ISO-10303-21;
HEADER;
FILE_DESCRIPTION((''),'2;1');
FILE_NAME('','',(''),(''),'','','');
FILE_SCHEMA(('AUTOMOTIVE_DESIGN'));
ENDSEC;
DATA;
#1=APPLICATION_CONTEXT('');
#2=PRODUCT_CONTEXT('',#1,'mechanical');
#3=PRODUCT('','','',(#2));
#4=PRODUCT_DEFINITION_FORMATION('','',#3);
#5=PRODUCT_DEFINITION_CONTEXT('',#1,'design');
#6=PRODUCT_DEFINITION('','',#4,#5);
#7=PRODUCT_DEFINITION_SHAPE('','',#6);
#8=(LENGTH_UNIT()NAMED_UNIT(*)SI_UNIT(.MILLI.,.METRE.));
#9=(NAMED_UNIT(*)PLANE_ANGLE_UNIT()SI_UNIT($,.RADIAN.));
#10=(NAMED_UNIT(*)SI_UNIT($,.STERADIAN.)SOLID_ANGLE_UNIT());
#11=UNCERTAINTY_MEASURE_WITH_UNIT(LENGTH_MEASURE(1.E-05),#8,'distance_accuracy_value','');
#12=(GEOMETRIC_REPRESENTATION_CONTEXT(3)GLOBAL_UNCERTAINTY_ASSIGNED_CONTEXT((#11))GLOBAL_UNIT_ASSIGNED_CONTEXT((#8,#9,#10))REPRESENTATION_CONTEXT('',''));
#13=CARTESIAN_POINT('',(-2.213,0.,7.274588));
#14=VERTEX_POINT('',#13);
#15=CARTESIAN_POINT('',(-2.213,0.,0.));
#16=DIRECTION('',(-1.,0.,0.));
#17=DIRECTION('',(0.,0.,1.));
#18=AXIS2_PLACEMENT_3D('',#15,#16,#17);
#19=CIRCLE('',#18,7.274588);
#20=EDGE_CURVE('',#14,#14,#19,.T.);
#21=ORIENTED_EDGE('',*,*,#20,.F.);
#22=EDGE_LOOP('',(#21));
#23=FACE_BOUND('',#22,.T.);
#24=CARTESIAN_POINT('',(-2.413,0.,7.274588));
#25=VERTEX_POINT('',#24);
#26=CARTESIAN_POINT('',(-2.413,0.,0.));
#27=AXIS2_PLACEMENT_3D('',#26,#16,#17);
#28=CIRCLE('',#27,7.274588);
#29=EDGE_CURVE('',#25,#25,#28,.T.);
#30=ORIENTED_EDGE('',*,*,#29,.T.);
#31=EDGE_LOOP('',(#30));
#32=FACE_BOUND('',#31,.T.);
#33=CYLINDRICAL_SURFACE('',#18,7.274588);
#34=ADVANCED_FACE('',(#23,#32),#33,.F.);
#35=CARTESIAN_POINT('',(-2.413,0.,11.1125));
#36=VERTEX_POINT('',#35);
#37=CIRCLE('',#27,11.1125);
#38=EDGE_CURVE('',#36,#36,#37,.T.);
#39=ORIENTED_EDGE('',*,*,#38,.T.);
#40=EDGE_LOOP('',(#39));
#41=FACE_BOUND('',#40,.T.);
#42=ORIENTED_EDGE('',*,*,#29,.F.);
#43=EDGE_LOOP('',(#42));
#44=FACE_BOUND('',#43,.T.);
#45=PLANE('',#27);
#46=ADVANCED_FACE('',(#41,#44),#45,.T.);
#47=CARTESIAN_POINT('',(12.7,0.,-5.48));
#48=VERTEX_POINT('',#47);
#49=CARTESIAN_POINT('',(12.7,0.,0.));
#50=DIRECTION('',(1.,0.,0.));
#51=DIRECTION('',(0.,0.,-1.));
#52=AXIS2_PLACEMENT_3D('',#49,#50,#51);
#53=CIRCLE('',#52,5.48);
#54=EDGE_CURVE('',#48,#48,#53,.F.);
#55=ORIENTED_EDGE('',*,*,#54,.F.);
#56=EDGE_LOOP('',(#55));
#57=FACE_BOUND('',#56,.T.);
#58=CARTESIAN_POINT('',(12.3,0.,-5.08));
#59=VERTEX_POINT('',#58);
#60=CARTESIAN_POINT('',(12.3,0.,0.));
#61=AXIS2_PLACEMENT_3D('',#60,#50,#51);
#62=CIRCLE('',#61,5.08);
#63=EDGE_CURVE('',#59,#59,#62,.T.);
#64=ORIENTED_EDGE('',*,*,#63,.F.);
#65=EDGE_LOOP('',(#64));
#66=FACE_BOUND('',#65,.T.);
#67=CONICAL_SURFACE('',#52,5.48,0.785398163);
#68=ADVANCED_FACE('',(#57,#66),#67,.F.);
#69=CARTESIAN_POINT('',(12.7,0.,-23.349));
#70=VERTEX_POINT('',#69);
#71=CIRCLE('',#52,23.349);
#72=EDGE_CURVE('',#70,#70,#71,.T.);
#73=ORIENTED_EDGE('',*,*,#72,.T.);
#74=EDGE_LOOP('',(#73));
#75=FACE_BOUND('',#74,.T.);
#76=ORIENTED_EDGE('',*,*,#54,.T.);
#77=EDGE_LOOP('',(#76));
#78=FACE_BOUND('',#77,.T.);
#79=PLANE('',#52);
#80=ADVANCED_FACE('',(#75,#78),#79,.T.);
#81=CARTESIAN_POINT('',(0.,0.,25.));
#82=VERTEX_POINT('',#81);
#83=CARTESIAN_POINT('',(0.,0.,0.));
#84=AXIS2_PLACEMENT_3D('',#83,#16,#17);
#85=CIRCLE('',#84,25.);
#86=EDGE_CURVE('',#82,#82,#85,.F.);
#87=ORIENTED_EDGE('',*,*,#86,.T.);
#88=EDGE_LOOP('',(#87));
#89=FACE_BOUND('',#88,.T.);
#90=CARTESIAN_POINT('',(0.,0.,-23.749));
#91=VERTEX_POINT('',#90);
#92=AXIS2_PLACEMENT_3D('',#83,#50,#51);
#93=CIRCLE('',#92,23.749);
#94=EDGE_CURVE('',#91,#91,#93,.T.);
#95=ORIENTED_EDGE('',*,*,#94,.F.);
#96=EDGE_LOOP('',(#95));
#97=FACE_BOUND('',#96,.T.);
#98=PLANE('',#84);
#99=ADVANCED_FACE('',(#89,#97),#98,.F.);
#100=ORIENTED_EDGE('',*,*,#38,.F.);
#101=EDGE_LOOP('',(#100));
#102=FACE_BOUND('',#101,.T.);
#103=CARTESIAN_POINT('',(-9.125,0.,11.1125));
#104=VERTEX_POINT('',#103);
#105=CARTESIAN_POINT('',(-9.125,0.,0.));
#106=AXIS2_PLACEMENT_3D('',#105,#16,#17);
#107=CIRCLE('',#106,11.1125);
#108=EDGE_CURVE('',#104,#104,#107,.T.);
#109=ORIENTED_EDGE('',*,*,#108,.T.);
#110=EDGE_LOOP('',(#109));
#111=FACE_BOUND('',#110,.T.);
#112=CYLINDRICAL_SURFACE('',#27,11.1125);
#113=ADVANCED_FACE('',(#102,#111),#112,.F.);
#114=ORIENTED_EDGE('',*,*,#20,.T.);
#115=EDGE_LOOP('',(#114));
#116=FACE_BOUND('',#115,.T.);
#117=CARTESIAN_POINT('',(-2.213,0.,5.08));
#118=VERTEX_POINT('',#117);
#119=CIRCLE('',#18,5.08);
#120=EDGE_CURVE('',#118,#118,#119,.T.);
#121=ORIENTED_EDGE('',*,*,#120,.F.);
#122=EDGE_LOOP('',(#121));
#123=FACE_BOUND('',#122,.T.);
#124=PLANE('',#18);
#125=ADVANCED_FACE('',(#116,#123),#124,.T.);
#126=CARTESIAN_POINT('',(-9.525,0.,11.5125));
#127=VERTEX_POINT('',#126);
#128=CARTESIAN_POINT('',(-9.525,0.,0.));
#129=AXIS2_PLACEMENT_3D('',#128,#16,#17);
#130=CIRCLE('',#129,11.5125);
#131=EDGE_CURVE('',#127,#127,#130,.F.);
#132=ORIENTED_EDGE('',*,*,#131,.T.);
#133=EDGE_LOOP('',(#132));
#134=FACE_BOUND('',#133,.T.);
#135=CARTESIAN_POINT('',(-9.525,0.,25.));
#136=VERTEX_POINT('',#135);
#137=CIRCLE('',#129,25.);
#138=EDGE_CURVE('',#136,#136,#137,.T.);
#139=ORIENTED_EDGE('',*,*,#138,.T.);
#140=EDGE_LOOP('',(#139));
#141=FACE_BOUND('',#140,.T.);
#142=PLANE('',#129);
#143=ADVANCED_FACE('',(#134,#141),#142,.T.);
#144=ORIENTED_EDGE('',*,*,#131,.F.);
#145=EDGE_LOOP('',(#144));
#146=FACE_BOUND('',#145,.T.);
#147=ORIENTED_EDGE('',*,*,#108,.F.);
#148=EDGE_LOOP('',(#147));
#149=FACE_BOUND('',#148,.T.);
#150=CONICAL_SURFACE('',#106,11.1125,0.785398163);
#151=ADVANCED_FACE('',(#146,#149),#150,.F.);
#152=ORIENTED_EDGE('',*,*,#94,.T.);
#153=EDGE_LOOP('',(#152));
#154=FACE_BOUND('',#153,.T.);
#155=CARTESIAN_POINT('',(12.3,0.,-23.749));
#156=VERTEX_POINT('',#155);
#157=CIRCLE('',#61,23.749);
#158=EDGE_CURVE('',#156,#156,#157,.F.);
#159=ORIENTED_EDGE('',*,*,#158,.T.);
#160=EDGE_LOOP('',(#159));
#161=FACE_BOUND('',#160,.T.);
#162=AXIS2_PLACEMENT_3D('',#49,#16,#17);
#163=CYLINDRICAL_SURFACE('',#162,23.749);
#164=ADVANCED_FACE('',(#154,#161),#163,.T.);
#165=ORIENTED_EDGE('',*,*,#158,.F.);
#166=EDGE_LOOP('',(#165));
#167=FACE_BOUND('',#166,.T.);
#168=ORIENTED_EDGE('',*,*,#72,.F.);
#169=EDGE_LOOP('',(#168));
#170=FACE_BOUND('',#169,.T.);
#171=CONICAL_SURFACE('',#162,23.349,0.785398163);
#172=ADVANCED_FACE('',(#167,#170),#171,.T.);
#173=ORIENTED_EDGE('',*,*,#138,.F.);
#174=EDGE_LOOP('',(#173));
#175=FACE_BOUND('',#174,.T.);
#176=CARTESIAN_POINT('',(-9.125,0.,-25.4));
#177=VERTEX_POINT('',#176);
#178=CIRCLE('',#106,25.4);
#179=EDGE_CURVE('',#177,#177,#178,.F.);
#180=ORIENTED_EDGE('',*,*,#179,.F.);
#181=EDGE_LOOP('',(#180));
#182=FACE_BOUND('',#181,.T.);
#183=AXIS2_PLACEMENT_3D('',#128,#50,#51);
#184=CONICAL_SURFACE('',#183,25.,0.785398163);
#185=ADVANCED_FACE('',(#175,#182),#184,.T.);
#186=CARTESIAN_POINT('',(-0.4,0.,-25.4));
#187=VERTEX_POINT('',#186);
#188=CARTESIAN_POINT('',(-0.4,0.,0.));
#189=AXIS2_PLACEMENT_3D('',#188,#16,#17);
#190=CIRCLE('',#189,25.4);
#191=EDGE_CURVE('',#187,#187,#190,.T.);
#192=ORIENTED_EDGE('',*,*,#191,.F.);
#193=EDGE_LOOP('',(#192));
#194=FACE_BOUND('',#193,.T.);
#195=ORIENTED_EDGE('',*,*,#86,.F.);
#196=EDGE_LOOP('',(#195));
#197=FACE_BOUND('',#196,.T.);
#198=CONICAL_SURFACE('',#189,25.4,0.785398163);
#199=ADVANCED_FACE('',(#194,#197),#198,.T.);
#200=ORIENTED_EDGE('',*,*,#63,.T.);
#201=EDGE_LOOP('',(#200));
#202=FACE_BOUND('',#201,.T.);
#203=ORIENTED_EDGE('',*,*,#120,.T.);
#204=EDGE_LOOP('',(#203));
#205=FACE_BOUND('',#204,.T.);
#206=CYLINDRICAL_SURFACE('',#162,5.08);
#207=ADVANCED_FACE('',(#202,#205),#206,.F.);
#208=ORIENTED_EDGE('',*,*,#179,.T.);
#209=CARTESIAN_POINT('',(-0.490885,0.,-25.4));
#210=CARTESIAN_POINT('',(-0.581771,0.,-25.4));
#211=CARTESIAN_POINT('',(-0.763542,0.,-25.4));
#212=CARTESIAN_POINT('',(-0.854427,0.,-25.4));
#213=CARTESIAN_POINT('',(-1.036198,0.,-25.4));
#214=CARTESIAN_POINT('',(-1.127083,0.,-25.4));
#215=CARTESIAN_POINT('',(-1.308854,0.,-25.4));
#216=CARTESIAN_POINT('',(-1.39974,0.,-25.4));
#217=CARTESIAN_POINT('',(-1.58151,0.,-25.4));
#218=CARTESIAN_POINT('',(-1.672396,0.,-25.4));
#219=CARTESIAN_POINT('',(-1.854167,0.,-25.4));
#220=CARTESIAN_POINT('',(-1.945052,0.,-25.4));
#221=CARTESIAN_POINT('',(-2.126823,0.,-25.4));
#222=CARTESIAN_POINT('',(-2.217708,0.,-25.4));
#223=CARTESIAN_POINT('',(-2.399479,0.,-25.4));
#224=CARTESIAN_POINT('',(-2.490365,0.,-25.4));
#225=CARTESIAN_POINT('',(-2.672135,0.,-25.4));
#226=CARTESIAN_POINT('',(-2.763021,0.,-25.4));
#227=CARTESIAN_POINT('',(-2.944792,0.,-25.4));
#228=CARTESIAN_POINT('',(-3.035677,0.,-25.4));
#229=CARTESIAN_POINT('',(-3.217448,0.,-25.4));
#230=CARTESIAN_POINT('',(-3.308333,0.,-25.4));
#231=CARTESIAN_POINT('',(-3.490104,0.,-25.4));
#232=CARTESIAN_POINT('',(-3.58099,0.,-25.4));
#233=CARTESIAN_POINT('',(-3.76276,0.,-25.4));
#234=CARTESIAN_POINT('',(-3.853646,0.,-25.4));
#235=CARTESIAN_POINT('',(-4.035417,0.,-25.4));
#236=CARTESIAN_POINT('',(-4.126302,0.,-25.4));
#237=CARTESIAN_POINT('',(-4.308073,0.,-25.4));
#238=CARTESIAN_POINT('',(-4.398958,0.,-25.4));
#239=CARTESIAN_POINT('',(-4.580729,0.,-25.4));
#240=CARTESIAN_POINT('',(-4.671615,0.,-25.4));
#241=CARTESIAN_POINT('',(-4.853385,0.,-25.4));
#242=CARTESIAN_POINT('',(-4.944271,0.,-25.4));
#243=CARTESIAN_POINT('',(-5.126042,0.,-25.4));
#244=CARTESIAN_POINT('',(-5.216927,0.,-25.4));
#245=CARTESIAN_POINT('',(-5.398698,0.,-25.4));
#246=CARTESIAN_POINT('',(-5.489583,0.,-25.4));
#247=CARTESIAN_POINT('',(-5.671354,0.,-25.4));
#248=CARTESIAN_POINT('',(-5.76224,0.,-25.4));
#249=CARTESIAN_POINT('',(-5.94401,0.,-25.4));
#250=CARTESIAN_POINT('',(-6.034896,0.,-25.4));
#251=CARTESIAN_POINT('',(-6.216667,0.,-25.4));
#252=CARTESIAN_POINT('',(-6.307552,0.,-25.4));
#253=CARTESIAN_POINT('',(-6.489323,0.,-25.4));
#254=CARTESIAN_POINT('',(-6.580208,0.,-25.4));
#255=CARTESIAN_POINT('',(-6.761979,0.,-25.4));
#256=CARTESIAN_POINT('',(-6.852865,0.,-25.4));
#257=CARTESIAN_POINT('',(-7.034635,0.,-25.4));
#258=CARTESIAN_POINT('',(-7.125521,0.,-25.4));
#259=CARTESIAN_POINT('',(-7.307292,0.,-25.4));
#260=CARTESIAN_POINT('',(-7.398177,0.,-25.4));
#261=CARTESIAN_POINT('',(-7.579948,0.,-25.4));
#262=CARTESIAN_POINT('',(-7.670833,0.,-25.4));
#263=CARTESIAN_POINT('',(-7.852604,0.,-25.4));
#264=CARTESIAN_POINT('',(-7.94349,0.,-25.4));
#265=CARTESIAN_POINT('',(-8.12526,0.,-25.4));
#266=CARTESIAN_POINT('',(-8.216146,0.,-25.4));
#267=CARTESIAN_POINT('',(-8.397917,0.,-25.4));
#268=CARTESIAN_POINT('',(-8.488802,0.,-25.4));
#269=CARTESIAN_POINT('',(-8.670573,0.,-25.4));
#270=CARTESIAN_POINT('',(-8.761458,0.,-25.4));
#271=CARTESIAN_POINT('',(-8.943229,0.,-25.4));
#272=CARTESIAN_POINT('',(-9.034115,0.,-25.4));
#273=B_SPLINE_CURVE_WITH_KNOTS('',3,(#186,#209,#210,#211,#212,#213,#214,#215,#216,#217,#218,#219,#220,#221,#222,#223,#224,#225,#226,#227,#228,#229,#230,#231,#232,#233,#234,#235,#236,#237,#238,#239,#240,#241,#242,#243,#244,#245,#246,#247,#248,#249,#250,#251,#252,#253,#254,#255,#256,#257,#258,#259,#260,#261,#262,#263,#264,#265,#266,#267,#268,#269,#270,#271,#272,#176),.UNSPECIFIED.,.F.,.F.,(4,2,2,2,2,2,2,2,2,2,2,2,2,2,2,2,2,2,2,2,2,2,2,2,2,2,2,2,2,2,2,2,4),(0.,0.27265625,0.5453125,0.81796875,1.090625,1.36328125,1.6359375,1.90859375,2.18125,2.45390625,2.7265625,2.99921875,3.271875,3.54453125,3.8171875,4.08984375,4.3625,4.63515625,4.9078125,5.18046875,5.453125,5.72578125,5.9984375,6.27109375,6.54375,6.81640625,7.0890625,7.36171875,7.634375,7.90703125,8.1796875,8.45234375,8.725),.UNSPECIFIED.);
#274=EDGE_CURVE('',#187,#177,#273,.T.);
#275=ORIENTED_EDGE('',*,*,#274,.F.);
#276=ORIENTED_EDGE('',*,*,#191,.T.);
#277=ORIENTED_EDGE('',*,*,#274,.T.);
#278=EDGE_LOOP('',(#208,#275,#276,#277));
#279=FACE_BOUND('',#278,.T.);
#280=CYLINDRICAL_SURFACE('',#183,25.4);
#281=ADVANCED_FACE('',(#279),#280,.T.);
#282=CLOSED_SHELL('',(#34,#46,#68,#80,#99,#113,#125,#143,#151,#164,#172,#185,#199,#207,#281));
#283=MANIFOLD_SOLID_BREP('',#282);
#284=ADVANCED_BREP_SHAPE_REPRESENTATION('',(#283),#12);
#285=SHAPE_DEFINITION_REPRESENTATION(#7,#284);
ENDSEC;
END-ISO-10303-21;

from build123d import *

# Parameters (mm, degrees)
SKETCH1_R           = 23.749
BOSS_EXTRUDE1_DEPTH = 12.7
SKETCH2_R           = 25.4
BOSS_EXTRUDE2_DEPTH = 9.525
SKETCH3_R           = 11.1125
CUT_EXTRUDE1_DEPTH  = 7.112
SKETCH4_R           = 7.27458794
CUT_EXTRUDE2_DEPTH  = 0.2
SKETCH5_R           = 5.08
CUT_EXTRUDE3_DEPTH  = 39.893670038
CHAMFER1_SIZE       = 0.4


with BuildPart() as part:
    # Sketch1 → Boss-Extrude1 (new body)
    with BuildSketch(Plane(origin=(0, 0, 0), x_dir=(0, 0, -1), z_dir=(1, 0, 0))):
        Circle(SKETCH1_R)
    extrude(amount=BOSS_EXTRUDE1_DEPTH)

    # Sketch2 → Boss-Extrude2 (add)
    with BuildSketch(Plane.ZY):
        with Locations(Location((0, 0, 0), (0, 0, 180))):
            Circle(SKETCH2_R)
    extrude(amount=BOSS_EXTRUDE2_DEPTH)

    # Sketch3 → Cut-Extrude1 (cut)
    with BuildSketch(Plane.ZY.offset(9.525)):
        Circle(SKETCH3_R)
    extrude(amount=-CUT_EXTRUDE1_DEPTH, mode=Mode.SUBTRACT)

    # Sketch4 → Cut-Extrude2 (cut)
    with BuildSketch(Plane.ZY.offset(2.413)):
        Circle(SKETCH4_R)
    extrude(amount=-CUT_EXTRUDE2_DEPTH, mode=Mode.SUBTRACT)

    # Sketch5 → Cut-Extrude3 (cut, through all)
    with BuildSketch(Plane.ZY.offset(2.213)):
        Circle(SKETCH5_R)
    extrude(amount=-CUT_EXTRUDE3_DEPTH, mode=Mode.SUBTRACT)

    # Chamfer1
    chamfer1_edges = [part.edges().sort_by_distance(p)[0] for p in [
        (-9.525, 0, -11.1125),
        (12.7, 0, -5.08),
        (12.7, 0, 23.749),
        (0, 0, 25.4),
        (-9.525, 0, 25.4),
    ]]
    chamfer(chamfer1_edges, length=CHAMFER1_SIZE)


solid = part.part
